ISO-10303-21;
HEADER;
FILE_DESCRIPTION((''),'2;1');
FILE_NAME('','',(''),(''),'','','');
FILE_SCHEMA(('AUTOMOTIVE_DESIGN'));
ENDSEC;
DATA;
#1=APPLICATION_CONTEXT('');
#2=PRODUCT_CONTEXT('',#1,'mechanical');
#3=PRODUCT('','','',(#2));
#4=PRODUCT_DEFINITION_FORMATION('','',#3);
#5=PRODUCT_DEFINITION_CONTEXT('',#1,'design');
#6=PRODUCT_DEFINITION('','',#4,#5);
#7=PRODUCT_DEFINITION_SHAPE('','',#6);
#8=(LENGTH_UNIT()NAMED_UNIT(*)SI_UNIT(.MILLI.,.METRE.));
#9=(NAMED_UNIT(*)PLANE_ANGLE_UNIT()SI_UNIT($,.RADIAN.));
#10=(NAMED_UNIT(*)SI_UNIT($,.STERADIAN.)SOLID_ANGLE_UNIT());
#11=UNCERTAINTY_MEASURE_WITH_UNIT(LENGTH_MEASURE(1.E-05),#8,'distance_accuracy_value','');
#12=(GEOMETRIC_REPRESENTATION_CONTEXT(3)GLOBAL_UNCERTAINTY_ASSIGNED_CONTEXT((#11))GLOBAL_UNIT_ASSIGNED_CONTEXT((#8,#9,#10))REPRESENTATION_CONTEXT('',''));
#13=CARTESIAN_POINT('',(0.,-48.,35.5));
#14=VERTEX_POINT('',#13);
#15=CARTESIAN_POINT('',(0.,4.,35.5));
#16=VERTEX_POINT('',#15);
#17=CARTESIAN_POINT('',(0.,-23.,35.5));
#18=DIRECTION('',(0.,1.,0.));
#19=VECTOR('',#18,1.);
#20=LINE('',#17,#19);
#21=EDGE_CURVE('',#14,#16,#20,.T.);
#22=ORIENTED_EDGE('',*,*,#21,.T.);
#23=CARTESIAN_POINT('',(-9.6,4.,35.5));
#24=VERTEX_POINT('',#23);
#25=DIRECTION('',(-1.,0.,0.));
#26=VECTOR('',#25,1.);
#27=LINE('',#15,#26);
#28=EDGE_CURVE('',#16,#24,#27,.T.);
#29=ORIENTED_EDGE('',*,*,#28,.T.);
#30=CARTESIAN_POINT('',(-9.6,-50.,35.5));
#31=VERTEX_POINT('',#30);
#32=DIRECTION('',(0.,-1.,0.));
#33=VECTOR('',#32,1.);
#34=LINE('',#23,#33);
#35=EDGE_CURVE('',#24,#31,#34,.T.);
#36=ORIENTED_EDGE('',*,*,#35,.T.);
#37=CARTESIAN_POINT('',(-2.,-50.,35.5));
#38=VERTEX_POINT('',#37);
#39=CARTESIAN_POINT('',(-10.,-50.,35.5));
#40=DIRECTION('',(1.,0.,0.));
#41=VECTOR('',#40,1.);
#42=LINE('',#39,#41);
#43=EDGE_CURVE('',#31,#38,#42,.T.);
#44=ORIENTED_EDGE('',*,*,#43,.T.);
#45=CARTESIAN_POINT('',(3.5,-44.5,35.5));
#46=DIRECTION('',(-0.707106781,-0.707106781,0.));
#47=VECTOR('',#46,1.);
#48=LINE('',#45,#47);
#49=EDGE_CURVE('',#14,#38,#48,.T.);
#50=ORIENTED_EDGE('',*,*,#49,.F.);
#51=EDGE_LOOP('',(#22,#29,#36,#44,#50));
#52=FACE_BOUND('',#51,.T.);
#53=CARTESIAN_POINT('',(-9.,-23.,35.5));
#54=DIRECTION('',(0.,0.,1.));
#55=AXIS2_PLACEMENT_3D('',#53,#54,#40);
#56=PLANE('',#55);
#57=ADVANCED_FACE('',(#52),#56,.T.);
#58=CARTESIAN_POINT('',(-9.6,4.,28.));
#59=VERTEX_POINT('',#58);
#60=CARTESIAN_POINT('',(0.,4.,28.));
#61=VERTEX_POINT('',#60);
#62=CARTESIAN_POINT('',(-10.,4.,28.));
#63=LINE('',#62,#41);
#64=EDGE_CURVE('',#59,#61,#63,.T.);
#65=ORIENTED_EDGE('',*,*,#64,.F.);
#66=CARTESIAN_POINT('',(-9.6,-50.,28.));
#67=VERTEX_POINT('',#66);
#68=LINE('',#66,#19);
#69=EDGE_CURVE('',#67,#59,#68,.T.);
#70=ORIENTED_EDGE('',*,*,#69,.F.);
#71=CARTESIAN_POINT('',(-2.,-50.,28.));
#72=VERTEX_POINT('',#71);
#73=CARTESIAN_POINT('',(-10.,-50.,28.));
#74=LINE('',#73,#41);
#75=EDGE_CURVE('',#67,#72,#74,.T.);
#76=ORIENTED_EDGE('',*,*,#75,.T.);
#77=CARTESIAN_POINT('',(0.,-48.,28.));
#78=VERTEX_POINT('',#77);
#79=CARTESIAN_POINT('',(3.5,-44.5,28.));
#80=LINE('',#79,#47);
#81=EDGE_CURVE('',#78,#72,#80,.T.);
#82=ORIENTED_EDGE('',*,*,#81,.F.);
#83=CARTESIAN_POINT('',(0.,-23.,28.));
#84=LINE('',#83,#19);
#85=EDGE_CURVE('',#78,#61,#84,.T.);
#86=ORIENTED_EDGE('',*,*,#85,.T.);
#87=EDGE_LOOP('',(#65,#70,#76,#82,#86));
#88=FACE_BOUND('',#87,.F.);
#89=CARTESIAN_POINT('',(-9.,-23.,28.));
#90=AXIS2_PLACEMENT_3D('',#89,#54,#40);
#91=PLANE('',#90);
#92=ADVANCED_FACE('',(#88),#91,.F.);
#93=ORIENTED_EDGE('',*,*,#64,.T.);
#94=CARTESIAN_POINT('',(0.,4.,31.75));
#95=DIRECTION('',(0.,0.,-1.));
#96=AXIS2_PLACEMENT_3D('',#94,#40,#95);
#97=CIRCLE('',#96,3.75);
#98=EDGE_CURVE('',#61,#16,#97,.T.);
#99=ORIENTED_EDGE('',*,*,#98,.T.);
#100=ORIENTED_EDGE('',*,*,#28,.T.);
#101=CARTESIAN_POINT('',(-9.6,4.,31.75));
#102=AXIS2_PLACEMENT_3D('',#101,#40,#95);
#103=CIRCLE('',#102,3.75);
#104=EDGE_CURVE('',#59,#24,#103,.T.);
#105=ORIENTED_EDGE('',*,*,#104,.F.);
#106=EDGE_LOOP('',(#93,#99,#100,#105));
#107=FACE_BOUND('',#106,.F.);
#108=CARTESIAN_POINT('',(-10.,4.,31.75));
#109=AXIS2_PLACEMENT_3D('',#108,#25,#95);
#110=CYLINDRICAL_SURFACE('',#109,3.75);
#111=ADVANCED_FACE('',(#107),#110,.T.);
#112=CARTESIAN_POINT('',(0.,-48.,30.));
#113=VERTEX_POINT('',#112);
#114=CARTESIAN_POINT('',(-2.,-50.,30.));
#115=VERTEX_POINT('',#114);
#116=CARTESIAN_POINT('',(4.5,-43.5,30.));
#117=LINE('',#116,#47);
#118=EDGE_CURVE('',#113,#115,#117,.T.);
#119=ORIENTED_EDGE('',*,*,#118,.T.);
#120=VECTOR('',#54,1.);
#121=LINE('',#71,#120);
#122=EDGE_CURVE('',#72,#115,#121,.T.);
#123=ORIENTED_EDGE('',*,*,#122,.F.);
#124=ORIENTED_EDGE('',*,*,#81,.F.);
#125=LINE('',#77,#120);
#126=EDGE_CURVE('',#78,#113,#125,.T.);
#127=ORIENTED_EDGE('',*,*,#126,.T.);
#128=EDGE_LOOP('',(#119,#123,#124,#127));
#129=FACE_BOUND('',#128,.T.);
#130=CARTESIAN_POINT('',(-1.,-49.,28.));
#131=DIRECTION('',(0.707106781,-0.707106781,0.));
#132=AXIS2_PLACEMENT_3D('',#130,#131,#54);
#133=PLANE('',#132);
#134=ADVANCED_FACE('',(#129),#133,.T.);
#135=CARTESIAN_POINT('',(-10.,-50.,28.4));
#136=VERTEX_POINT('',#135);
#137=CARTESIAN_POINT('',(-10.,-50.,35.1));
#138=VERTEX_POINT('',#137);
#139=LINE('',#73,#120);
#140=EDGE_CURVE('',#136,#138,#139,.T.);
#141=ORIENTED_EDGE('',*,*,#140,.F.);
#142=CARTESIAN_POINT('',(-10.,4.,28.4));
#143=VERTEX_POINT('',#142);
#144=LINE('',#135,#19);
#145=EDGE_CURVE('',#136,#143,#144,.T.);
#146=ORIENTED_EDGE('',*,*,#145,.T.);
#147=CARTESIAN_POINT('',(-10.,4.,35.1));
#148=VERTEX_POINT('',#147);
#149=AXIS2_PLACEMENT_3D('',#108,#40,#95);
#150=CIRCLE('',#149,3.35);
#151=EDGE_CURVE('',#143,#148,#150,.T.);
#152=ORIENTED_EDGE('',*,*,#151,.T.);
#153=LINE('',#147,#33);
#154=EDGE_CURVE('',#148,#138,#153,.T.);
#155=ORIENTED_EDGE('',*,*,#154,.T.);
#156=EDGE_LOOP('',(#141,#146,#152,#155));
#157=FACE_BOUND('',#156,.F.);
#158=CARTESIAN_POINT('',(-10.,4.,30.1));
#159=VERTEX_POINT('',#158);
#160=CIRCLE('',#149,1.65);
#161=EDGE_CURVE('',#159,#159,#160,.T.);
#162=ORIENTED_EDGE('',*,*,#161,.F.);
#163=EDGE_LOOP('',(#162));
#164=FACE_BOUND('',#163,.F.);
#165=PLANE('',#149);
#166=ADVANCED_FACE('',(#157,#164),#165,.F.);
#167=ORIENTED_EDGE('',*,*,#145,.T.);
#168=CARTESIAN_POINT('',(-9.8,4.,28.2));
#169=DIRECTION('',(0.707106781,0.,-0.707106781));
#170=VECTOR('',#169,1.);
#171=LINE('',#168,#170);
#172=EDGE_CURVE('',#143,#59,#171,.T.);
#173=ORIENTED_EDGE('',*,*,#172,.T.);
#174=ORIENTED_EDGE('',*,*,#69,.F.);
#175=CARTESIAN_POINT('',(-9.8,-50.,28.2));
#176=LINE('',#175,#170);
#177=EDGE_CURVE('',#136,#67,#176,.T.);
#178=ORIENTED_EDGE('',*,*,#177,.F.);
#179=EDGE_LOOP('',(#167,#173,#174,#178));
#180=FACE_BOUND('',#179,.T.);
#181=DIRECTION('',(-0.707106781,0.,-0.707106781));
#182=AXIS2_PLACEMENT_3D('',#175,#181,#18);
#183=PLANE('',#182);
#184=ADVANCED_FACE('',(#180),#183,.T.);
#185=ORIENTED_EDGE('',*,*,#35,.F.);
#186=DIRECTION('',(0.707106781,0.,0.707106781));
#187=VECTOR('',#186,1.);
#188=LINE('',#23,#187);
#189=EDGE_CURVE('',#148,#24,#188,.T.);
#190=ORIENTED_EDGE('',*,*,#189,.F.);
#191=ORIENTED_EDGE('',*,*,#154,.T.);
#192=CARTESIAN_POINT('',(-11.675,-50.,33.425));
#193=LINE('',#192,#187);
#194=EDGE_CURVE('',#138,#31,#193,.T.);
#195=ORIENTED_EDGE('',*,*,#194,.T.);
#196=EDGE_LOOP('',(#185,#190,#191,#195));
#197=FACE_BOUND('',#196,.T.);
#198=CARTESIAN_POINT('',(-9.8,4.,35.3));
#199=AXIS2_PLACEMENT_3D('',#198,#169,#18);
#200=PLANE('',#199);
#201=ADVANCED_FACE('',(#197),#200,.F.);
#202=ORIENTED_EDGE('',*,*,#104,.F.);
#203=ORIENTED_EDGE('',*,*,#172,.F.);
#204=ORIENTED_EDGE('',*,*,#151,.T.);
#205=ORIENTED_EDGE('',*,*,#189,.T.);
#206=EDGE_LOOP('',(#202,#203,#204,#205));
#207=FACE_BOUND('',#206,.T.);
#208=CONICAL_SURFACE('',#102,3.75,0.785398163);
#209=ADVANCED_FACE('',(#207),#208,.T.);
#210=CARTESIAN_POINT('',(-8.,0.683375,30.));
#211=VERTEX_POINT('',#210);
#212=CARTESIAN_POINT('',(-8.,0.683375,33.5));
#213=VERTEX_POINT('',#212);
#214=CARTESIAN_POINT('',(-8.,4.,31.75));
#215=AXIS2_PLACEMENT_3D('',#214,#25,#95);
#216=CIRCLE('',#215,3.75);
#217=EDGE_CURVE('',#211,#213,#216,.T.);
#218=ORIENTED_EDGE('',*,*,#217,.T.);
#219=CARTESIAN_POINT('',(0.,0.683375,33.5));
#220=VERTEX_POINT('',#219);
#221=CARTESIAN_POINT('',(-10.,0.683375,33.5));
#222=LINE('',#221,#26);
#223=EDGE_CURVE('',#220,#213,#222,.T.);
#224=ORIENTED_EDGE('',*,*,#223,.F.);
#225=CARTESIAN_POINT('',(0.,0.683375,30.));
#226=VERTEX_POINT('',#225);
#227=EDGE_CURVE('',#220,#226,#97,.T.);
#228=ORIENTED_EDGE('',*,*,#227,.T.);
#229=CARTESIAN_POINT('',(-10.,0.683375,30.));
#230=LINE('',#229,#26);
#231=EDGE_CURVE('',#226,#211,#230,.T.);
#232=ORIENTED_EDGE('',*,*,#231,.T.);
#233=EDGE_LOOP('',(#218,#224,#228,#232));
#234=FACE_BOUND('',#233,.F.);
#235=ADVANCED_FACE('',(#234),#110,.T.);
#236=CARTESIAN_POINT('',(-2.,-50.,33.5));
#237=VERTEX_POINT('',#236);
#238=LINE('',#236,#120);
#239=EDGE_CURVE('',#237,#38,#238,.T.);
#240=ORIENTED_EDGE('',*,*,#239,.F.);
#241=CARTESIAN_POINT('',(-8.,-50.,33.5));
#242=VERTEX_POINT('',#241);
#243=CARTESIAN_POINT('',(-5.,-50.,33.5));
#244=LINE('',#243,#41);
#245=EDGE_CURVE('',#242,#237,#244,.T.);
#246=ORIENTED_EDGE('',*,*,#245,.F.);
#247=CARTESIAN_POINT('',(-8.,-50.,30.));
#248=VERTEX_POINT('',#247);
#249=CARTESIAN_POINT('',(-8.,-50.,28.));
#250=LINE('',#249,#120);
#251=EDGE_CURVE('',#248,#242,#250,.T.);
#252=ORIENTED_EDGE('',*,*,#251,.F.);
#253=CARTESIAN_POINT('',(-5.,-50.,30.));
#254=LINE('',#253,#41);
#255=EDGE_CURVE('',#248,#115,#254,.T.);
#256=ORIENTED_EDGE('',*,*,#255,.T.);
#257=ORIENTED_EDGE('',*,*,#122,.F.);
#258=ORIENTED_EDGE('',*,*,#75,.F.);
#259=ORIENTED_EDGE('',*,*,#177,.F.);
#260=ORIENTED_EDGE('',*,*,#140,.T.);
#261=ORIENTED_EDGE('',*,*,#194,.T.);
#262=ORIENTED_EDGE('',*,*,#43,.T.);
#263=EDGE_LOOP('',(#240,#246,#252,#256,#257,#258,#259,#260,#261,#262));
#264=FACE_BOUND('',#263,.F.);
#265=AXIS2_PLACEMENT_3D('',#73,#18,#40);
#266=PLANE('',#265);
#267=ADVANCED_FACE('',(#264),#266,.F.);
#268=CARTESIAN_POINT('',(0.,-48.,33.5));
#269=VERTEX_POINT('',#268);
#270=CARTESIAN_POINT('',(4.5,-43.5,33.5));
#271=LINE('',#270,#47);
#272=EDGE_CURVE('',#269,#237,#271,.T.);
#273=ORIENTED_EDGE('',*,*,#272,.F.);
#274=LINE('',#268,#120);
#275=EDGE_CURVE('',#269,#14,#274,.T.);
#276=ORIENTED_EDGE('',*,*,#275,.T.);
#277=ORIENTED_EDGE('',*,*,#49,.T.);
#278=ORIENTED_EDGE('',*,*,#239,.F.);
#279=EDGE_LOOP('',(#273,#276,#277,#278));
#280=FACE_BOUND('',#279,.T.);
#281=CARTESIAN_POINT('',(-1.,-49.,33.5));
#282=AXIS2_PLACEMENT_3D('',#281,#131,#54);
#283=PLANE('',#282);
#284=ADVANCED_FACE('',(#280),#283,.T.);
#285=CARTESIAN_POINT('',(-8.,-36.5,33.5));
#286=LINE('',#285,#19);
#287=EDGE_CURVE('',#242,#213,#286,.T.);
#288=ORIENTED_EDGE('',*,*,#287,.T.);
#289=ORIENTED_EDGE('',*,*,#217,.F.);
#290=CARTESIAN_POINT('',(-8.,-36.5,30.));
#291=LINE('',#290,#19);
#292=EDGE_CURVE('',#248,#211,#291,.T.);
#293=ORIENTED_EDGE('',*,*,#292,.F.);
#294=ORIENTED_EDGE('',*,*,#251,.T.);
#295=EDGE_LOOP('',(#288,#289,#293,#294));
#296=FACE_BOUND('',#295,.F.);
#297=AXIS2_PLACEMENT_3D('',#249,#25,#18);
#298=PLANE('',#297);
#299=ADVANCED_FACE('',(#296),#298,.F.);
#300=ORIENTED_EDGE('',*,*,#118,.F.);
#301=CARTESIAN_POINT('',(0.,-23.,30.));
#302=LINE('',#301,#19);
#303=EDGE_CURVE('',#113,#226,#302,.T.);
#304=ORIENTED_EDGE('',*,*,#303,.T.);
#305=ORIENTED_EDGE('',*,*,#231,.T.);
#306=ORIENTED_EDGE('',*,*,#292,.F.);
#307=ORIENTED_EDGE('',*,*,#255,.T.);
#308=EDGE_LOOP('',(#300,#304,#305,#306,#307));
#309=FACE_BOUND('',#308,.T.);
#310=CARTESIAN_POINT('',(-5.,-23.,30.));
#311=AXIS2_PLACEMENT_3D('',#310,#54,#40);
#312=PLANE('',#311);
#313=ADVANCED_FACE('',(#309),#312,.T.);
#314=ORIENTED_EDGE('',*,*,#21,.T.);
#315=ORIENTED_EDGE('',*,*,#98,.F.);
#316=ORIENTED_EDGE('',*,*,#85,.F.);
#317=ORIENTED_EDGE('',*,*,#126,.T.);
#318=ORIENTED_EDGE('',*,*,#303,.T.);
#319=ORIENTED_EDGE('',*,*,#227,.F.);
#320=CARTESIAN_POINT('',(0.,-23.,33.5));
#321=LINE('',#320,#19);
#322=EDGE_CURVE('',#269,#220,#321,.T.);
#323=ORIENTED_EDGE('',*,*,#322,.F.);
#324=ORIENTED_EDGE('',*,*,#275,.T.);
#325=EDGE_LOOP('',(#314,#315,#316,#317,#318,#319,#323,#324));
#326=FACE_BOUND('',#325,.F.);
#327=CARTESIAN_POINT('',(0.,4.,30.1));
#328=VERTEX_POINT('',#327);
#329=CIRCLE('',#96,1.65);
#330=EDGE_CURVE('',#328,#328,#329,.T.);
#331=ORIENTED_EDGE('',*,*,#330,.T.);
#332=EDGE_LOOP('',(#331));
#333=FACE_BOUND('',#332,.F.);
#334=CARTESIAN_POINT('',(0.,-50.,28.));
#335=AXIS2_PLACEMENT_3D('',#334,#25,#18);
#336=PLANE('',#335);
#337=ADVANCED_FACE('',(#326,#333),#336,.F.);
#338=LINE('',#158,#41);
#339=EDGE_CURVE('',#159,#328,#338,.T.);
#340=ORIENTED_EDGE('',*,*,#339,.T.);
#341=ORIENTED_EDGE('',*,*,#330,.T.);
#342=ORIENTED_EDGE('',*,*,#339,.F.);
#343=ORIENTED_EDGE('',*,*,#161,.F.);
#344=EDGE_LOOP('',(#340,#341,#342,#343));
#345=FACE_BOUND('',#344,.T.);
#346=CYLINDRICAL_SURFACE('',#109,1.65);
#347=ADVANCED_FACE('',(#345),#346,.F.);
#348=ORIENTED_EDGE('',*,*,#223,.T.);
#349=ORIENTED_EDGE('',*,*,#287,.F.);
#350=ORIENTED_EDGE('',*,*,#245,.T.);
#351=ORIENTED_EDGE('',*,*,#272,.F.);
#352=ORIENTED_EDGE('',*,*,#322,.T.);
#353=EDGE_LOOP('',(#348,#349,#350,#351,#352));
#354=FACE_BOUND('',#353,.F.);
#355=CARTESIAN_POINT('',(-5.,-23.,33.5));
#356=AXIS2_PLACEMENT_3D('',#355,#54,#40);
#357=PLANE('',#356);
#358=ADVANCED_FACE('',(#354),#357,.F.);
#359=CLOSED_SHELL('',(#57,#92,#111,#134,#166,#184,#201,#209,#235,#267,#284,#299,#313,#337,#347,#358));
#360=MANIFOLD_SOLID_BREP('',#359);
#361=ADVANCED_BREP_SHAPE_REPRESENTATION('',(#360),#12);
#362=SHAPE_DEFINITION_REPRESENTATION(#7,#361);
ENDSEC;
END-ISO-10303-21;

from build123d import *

# Parameters (mm, degrees)
CYLINDER018_R      = 1.65
CYLINDER018_DEPTH  = 10
CYLINDER017_R      = 3.75
CYLINDER017_DEPTH  = 10
BOX013_W           = 10
BOX013_H           = 54
BOX013_DEPTH       = 2
BOX012_W           = 10
BOX012_H           = 54
BOX012_DEPTH       = 2
BOX014_W           = 2
BOX014_H           = 54
BOX014_DEPTH       = 7.5
CHAMFER006002_SIZE = 2
CHAMFER006003_SIZE = 0.4


with BuildPart() as cylinder018:
    # Cylinder018 → Cylinder018 (new body)
    with BuildSketch(Plane(origin=(-10, 4, 31.75), x_dir=(0, 0, -1), z_dir=(1, 0, 0))):
        Circle(CYLINDER018_R)
    extrude(amount=CYLINDER018_DEPTH)


with BuildPart() as cylinder017:
    # Cylinder017 → Cylinder017 (new body)
    with BuildSketch(Plane(origin=(-10, 4, 31.75), x_dir=(0, 0, -1), z_dir=(1, 0, 0))):
        Circle(CYLINDER017_R)
    extrude(amount=CYLINDER017_DEPTH)


with BuildPart() as cube013:
    # Box013 → Box013 (new body)
    with BuildSketch(Plane(origin=(-10, -50, 33.5), x_dir=(1, 0, 0), z_dir=(0, 0, 1))):
        with Locations((5, 27)):
            Rectangle(BOX013_W, BOX013_H)
    extrude(amount=BOX013_DEPTH)


with BuildPart() as cube012:
    # Box012 → Box012 (new body)
    with BuildSketch(Plane(origin=(-10, -50, 28), x_dir=(1, 0, 0), z_dir=(0, 0, 1))):
        with Locations((5, 27)):
            Rectangle(BOX012_W, BOX012_H)
    extrude(amount=BOX012_DEPTH)


with BuildPart() as top_arm:
    # Box014 → Box014 (new body)
    with BuildSketch(Plane(origin=(-10, -50, 28), x_dir=(1, 0, 0), z_dir=(0, 0, 1))):
        with Locations((1, 27)):
            Rectangle(BOX014_W, BOX014_H)
    extrude(amount=BOX014_DEPTH)

    # Fusion020006007003002009010: union Cylinder017, Cube013, Cube012
    add(cylinder017.part)
    add(cube013.part)
    add(cube012.part)

    # Chamfer006002
    chamfer006002_edges = [top_arm.edges().sort_by_distance(p)[0] for p in [
        (0, -50, 29),
        (0, -50, 34.5),
    ]]
    chamfer(chamfer006002_edges, length=CHAMFER006002_SIZE)

    # Chamfer006003
    chamfer006003_edges = [top_arm.edges().sort_by_distance(p)[0] for p in [
        (-10, 7.75, 31.75),
        (-10, -23, 28),
        (-10, -23, 35.5),
    ]]
    chamfer(chamfer006003_edges, length=CHAMFER006003_SIZE)

    # Cut010: cut Cylinder018
    add(cylinder018.part, mode=Mode.SUBTRACT)


solid = top_arm.part
